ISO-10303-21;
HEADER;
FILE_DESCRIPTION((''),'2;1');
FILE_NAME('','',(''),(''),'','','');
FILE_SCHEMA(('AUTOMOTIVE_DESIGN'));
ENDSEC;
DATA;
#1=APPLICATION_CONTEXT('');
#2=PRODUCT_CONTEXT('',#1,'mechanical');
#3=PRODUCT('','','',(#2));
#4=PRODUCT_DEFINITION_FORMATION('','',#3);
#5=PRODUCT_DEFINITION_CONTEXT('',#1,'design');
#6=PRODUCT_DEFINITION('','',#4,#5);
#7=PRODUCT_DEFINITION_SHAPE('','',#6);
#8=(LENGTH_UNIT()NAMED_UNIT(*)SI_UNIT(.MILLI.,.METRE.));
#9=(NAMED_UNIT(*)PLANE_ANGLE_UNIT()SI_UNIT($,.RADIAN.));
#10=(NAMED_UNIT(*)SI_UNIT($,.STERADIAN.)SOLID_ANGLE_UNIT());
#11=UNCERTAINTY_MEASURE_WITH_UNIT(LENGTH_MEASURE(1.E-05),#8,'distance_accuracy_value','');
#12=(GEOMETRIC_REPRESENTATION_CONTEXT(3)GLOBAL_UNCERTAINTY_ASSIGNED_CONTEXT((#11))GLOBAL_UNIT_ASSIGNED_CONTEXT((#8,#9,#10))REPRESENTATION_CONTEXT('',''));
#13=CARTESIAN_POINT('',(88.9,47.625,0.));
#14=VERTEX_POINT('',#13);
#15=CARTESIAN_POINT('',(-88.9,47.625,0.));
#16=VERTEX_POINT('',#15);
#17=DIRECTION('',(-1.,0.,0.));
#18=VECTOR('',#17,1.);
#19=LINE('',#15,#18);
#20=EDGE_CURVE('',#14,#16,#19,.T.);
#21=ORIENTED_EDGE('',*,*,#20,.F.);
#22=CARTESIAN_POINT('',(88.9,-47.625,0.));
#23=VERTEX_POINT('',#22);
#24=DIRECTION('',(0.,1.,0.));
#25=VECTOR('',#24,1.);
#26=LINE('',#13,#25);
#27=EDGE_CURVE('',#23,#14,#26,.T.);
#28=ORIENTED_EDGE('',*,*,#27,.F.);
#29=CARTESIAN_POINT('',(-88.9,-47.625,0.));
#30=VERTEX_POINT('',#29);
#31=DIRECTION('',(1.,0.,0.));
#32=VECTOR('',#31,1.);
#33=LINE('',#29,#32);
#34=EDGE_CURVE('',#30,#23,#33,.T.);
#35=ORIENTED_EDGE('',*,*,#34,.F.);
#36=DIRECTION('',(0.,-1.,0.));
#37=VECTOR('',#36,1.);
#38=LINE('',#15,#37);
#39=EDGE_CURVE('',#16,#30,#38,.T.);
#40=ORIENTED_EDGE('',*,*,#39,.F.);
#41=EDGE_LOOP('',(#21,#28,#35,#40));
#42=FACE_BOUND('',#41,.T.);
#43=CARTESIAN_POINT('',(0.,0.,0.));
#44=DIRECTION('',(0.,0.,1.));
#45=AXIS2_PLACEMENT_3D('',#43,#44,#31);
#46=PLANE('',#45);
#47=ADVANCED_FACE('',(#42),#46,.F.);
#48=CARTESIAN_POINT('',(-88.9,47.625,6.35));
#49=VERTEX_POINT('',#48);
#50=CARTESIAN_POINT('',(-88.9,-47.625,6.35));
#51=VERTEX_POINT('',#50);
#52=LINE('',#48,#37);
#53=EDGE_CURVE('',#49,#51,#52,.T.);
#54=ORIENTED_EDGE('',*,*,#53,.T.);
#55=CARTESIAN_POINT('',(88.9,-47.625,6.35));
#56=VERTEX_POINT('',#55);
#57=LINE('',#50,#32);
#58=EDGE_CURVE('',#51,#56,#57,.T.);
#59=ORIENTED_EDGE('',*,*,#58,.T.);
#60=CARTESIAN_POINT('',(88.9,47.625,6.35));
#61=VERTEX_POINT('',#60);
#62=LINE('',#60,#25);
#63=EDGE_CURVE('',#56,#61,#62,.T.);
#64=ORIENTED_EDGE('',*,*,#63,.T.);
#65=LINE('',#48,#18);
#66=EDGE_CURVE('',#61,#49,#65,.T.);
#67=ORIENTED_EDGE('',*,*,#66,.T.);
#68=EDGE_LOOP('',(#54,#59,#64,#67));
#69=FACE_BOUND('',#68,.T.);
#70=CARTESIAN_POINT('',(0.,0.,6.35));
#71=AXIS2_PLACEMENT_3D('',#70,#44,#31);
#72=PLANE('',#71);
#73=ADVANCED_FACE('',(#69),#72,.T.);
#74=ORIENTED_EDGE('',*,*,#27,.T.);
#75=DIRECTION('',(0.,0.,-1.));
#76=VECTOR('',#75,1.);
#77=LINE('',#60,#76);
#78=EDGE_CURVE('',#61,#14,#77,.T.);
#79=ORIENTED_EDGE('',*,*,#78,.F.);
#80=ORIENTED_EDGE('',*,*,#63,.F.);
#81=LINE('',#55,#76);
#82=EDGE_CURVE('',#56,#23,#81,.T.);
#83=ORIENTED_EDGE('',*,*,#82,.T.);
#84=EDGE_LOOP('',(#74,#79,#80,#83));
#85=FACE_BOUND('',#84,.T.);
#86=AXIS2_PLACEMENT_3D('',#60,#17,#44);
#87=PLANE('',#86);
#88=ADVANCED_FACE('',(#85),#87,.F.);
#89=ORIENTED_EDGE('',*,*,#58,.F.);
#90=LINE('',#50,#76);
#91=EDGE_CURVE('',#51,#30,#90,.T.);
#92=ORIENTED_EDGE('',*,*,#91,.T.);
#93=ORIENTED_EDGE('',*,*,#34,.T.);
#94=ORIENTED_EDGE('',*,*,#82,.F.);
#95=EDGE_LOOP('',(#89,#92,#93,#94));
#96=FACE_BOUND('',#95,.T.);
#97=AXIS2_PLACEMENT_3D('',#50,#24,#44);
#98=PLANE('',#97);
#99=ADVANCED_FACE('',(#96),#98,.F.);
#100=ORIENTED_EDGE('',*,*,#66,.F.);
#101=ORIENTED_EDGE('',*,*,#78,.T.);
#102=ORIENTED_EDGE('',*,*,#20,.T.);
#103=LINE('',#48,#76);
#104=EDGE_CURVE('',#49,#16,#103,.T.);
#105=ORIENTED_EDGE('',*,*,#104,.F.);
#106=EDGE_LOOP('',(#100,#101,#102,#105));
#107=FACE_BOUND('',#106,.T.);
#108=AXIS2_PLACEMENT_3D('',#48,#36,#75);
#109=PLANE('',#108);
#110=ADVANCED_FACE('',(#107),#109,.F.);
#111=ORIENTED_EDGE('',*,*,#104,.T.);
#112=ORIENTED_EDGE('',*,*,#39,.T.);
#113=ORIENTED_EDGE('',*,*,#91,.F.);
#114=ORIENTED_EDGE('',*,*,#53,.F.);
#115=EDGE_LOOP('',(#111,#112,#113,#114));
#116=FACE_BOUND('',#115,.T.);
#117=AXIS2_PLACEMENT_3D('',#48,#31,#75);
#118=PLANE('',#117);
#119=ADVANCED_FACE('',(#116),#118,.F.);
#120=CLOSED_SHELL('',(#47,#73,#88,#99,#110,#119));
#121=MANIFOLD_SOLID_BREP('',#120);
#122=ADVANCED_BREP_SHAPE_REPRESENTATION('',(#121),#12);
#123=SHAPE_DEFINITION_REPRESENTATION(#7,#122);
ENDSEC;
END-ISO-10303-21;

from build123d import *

# Parameters (mm, degrees)
SKETCH1_W           = 177.8
SKETCH1_H           = 95.25
BOSS_EXTRUDE1_DEPTH = 6.35


with BuildPart() as part:
    # Sketch1 → Boss-Extrude1 (new body)
    with BuildSketch(Plane.XY):
        Rectangle(SKETCH1_W, SKETCH1_H)
    extrude(amount=BOSS_EXTRUDE1_DEPTH)


solid = part.part
